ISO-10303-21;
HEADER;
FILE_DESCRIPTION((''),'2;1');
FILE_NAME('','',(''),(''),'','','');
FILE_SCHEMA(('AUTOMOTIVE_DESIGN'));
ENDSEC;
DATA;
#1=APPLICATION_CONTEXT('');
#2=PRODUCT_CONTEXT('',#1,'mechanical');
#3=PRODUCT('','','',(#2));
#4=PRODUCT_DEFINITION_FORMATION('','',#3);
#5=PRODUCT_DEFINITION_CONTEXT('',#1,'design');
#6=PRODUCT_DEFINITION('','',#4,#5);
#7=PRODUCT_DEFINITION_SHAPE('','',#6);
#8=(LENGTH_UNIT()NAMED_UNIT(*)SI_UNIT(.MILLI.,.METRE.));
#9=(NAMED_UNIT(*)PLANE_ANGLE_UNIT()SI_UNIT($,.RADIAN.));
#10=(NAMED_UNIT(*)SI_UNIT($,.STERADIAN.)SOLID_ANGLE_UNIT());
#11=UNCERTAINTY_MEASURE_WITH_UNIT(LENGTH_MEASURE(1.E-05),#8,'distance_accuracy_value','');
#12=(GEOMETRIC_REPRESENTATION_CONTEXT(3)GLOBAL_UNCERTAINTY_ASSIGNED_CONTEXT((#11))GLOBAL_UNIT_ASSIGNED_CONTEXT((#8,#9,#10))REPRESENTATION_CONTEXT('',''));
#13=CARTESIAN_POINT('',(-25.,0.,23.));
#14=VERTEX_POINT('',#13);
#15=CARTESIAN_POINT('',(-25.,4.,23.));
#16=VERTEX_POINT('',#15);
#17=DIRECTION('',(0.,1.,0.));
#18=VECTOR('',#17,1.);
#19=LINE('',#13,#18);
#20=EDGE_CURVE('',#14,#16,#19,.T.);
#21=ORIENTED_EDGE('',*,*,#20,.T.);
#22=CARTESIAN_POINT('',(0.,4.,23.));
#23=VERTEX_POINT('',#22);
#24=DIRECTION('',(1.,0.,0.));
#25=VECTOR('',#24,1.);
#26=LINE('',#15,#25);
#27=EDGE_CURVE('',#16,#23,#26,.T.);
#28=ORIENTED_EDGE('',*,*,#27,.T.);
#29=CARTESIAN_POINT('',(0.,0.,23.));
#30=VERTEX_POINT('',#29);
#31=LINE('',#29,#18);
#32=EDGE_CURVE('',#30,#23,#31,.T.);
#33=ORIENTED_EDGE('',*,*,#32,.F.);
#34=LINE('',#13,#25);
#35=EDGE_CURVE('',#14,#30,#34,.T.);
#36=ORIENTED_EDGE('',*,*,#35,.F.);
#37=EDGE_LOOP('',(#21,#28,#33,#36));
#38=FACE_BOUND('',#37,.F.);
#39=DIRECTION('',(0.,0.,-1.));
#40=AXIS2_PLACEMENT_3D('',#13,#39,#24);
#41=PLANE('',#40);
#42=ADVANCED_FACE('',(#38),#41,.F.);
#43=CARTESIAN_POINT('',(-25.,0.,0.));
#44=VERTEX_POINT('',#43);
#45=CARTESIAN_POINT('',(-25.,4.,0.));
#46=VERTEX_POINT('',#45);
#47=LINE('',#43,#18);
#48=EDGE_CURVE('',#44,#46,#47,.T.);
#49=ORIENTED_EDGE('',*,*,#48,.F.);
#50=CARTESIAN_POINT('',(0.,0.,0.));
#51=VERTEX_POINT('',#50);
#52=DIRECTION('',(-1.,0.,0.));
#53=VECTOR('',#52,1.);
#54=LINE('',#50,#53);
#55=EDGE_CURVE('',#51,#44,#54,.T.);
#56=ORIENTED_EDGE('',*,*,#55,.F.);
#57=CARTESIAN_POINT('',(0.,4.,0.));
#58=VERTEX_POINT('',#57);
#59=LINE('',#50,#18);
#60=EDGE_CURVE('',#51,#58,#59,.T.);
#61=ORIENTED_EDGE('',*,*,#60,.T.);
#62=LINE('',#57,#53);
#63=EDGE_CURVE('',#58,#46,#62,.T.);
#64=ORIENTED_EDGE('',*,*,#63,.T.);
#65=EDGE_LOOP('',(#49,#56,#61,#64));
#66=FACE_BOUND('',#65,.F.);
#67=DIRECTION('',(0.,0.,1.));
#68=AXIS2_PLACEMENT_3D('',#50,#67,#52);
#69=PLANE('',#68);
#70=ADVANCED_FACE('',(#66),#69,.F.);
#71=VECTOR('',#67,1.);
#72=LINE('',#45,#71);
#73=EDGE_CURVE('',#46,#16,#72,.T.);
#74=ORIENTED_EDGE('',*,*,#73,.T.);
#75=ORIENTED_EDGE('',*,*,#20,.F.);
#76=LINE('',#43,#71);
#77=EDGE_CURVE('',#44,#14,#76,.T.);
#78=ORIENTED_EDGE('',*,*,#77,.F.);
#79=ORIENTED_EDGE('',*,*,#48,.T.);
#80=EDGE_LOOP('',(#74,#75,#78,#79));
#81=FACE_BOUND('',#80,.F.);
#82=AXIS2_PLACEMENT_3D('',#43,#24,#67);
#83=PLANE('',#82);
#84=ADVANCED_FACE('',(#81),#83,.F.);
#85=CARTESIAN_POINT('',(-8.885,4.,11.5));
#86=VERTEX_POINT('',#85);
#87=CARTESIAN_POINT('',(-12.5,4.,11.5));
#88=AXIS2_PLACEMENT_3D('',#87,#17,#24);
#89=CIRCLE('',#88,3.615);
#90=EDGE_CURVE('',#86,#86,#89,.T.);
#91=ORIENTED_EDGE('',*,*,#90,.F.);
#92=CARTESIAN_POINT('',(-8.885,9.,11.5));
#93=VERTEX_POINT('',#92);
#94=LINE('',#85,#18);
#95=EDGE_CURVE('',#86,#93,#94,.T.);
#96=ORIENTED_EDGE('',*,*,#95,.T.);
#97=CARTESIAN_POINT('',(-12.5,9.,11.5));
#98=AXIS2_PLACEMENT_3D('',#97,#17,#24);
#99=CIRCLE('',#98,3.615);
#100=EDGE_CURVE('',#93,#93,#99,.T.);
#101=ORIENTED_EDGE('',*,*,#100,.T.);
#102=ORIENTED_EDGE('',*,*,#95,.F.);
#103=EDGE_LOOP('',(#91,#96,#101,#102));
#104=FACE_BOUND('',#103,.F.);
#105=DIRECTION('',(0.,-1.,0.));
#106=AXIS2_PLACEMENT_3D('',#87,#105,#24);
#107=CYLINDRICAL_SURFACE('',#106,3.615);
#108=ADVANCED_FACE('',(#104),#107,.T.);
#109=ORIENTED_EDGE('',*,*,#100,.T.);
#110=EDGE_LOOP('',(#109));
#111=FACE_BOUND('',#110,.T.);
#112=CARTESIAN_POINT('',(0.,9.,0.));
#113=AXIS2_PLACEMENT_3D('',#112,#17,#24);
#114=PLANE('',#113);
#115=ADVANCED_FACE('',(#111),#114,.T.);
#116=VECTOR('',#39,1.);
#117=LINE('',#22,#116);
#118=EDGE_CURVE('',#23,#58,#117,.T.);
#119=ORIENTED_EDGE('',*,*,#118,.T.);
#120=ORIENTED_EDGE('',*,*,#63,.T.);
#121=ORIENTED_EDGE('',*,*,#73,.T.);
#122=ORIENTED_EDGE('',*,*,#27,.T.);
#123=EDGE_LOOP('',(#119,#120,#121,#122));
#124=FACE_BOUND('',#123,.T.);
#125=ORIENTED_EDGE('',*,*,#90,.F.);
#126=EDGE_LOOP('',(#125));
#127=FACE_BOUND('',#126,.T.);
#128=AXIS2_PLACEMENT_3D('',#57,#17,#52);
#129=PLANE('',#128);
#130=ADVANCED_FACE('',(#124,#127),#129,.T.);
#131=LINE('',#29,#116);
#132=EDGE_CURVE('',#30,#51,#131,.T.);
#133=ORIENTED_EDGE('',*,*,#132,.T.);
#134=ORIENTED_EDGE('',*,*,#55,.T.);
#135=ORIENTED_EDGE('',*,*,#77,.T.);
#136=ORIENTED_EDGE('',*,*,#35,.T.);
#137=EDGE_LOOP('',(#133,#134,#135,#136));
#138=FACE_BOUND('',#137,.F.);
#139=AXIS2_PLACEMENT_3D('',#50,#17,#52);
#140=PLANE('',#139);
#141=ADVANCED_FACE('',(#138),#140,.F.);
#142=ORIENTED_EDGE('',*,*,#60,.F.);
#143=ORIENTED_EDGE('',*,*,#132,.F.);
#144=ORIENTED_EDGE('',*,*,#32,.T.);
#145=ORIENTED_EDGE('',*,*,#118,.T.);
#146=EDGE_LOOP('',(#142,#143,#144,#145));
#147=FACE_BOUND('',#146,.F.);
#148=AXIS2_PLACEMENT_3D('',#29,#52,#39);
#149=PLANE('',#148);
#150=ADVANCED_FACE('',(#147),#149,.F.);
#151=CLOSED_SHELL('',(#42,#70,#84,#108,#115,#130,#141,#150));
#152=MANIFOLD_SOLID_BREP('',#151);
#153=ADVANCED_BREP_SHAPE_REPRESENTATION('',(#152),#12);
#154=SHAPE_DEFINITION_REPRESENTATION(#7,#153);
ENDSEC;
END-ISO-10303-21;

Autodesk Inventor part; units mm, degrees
ref_plane "YZ Plane" through (0, 0, 0) normal (1, 0, 0) x (0, 1, 0)
ref_plane "XZ Plane" through (0, 0, 0) normal (0, 1, 0) x (-1, 0, 0)
ref_plane "XY Plane" through (0, 0, 0) normal (0, 0, 1) x (1, 0, 0)
sketch "Sketch1" plane through (0, 0, 0) normal (0, 1, 0) x (-1, 0, 0)
  line L0 (25, 23) -> (0, 23)
  line L1 (0, 23) -> (0, 0)
  line L2 (0, 0) -> (25, 0)
  line L3 (25, 0) -> (25, 23)
  dimension "d0" = 25
  dimension "d1" = 23
extrude "Extrusion1" add sketch "Sketch1" along normal blind 4
sketch "Sketch2" plane through (0, 4, 0) normal (0, 1, 0) x (1, 0, 0)
  circle A0 centre (-12.5, -11.5) radius 3.615
  line L0 (-25, 0) -> (-25, -23) projected
  line L1 (-25, -23) -> (0, -23) projected
  point P0 (0, 0)
  dimension "d4" = 7.23
  dimension "d5" = 12.5
  dimension "d6" = 11.5
extrude "Extrusion2" add sketch "Sketch2" along normal blind 5
properties part number "Camera" material "ABS Plastic"
